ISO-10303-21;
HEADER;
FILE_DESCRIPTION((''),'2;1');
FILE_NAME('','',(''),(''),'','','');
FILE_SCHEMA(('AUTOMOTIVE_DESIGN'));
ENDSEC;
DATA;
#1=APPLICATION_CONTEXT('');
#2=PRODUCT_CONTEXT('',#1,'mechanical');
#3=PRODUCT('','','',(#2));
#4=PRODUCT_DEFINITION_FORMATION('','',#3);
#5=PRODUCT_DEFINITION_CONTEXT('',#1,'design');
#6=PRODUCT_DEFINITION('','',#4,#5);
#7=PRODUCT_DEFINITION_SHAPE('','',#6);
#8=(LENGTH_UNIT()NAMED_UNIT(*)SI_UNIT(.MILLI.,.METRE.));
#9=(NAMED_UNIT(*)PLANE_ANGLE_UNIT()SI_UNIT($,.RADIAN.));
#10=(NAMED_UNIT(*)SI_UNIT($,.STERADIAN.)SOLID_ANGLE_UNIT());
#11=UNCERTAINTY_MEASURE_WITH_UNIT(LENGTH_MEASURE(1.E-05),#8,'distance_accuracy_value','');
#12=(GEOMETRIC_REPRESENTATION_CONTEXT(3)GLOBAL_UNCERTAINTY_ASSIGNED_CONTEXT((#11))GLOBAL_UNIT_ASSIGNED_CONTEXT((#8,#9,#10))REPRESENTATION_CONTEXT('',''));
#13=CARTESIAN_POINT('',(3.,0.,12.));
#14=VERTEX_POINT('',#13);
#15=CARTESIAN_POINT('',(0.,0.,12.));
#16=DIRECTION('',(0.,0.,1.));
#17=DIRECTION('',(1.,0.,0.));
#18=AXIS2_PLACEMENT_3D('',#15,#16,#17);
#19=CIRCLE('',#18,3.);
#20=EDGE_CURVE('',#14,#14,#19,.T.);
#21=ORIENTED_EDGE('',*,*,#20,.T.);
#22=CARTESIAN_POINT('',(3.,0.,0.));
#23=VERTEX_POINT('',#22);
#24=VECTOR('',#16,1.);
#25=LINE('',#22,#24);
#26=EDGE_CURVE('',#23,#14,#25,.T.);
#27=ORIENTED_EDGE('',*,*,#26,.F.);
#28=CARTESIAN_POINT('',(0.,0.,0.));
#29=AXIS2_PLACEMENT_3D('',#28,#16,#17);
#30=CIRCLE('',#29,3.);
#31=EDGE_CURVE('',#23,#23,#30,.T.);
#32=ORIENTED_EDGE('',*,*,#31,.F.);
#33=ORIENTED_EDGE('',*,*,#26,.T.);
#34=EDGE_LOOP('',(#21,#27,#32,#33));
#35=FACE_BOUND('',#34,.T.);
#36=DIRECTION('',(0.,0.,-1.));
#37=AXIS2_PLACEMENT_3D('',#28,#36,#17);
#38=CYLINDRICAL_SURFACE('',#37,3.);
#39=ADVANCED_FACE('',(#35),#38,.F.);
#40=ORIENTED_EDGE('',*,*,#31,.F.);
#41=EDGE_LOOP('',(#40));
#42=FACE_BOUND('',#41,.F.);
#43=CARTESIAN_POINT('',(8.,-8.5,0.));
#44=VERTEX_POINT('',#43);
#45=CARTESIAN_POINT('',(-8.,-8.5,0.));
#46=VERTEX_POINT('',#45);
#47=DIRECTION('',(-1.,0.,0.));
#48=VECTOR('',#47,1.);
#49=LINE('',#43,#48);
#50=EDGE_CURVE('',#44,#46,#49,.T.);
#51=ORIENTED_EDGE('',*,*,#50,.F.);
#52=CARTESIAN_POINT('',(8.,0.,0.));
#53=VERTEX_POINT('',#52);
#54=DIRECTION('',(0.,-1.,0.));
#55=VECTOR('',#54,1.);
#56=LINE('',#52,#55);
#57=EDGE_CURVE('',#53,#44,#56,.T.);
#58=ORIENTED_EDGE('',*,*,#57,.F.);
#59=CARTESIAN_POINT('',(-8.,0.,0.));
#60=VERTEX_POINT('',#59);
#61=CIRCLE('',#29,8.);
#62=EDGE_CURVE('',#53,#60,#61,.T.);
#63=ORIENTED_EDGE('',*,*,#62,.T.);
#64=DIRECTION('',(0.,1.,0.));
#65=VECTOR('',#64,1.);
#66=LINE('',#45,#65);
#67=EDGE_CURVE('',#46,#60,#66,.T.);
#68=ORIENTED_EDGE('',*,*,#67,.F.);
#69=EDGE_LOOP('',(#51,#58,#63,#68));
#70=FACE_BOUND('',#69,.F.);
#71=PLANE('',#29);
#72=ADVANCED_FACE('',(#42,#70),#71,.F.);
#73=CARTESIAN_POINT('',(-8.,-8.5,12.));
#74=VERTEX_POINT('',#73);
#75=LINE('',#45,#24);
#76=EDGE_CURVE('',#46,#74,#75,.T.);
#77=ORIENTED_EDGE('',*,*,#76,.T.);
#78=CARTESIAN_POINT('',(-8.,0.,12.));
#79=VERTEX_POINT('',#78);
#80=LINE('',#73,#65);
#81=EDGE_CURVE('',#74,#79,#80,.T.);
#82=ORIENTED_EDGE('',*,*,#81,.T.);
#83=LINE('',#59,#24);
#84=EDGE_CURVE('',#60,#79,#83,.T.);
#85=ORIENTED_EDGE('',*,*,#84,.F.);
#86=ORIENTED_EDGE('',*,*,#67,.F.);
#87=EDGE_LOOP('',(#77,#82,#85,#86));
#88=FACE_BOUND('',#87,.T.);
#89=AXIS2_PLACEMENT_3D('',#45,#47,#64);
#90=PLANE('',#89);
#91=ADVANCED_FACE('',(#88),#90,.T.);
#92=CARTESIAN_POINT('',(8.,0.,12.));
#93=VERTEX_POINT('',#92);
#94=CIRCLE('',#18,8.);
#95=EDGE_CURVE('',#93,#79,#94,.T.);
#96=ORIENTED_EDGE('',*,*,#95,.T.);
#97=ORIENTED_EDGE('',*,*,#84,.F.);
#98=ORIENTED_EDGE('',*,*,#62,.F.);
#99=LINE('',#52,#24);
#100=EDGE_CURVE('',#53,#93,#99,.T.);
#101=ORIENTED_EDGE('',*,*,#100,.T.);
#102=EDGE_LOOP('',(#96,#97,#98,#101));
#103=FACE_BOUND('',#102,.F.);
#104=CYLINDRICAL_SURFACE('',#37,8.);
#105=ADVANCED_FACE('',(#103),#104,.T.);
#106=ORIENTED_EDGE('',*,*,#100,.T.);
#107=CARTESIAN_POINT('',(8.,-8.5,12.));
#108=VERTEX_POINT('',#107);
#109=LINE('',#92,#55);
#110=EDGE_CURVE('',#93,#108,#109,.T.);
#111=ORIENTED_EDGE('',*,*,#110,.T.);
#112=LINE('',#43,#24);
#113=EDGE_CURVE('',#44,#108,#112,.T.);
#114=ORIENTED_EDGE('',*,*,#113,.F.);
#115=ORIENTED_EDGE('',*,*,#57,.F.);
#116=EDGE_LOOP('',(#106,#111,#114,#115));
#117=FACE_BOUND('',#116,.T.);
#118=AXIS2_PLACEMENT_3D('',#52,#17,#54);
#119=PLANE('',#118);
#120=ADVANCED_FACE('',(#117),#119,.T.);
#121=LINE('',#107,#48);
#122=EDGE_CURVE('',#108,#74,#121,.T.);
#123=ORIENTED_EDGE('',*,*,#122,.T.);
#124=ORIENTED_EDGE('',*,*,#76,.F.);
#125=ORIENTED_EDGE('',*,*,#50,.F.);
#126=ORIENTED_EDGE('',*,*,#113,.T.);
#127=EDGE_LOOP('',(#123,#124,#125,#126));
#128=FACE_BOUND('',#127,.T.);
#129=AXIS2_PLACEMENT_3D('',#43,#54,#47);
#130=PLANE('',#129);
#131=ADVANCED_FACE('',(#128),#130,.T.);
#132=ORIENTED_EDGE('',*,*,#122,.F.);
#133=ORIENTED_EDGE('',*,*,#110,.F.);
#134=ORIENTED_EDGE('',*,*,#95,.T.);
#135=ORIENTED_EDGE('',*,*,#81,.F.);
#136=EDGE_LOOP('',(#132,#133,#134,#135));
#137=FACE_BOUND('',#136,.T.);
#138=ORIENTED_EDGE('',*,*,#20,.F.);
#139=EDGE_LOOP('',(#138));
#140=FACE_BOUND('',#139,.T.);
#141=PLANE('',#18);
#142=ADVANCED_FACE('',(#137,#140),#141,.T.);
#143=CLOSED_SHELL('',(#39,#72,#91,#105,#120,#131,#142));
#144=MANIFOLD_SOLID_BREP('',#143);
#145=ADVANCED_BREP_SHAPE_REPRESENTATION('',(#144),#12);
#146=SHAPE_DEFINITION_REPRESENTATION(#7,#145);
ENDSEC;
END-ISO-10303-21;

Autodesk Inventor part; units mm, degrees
ref_plane "YZ Plane" through (0, 0, 0) normal (1, 0, 0) x (0, 1, 0)
ref_plane "XZ Plane" through (0, 0, 0) normal (0, 1, 0) x (-1, 0, 0)
ref_plane "XY Plane" through (0, 0, 0) normal (0, 0, 1) x (1, 0, 0)
sketch "Эскиз1" plane through (0, 0, 0) normal (0, 0, 1) x (1, 0, 0)
  circle A0 centre (0, 0) radius 3
  circle A1 centre (0, 0) radius 8
  line L0 (-8, 0) -> (8, 0) construction
  line L1 (8, 0) -> (8, -8.5)
  line L2 (8, -8.5) -> (-8, -8.5)
  line L3 (-8, -8.5) -> (-8, 0)
  line L4 (-8, -2.5) -> (8, -2.5) construction
  dimension "d1" = 16
  dimension "d0" = 6
  dimension "d3" = 6
  dimension "d4" = 2.5
extrude "Выдавливание1" add sketch "Эскиз1" along normal blind 12
properties part number "Фиксатор трубки"
